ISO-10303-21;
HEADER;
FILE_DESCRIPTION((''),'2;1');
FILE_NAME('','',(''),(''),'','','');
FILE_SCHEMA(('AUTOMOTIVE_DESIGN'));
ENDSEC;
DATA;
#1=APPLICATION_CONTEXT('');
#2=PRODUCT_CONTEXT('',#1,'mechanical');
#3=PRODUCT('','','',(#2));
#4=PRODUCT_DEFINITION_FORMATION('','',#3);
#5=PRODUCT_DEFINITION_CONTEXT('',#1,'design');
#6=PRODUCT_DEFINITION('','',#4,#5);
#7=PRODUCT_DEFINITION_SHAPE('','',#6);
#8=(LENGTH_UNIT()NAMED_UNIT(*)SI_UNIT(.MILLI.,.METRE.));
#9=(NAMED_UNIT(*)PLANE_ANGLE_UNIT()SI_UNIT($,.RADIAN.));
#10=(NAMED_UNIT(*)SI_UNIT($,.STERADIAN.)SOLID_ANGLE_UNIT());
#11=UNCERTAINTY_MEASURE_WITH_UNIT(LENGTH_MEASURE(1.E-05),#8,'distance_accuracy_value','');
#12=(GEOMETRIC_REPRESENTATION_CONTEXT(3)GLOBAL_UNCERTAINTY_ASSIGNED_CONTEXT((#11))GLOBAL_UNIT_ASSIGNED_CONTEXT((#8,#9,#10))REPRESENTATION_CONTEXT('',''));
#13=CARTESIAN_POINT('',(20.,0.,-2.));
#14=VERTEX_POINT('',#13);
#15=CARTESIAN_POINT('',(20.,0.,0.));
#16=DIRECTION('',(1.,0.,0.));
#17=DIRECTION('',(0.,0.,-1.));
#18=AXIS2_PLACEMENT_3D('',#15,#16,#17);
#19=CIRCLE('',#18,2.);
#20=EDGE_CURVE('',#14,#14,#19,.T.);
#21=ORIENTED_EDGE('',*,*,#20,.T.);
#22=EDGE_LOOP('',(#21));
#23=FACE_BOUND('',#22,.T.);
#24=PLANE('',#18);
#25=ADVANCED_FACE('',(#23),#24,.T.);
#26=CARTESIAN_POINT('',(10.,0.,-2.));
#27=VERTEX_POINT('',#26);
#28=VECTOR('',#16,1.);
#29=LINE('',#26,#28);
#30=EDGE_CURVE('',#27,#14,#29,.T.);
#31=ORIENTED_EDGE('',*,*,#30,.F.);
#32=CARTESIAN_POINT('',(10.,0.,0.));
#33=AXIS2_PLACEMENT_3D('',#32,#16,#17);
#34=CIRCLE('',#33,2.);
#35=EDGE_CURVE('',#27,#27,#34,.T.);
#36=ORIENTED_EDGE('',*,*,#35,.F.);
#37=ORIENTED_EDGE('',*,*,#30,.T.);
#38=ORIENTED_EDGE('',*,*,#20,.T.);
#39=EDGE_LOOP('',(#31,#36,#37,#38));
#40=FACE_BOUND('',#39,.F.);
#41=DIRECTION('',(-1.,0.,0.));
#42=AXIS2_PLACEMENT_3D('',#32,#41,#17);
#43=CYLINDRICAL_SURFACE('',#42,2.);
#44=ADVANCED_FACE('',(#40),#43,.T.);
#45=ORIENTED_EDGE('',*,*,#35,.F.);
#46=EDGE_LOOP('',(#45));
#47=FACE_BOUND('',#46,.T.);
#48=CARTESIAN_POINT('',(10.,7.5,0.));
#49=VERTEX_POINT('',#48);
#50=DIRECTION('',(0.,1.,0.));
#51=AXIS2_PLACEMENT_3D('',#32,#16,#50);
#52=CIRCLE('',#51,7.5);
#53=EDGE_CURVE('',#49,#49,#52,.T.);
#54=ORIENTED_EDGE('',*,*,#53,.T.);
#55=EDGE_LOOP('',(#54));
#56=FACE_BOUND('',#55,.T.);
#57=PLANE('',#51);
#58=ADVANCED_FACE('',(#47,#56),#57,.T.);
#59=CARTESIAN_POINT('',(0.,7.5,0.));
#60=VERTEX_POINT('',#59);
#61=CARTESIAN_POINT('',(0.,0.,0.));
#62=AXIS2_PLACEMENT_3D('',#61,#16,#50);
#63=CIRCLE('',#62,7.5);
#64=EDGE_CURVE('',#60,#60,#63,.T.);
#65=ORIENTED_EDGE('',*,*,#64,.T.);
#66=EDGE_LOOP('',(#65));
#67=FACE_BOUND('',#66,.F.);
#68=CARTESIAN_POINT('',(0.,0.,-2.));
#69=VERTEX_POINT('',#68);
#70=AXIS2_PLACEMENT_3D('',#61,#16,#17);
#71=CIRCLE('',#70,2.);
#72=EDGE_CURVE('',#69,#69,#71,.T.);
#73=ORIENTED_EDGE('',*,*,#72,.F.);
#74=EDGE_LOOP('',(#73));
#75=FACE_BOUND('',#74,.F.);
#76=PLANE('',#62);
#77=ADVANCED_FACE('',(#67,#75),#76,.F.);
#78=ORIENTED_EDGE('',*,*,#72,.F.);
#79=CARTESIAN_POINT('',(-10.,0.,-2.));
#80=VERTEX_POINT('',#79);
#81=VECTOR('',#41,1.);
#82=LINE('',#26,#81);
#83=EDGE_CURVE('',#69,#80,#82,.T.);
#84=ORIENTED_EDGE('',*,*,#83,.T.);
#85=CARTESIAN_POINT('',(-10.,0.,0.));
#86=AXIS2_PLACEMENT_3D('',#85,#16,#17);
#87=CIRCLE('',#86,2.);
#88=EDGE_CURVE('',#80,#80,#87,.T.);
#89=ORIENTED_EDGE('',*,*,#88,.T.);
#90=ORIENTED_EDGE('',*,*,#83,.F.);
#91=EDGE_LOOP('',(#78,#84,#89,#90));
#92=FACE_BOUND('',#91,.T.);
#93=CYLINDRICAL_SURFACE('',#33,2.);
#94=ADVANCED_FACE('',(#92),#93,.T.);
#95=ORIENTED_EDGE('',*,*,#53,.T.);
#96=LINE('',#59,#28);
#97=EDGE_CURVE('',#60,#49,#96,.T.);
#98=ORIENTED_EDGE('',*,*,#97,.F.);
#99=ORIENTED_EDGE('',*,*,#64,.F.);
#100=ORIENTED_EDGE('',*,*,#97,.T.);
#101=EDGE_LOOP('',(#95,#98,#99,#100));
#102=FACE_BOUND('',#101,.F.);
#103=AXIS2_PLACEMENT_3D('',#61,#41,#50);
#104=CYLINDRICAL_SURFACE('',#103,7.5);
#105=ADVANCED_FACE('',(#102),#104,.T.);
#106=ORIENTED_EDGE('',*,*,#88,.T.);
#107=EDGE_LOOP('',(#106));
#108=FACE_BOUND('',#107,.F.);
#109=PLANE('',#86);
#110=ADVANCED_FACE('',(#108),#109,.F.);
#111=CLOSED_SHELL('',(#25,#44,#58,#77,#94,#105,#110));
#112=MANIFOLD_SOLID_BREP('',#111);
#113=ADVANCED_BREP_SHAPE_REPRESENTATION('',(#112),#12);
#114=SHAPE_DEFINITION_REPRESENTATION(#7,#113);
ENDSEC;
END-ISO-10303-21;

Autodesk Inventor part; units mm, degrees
ref_plane "YZ Plane" through (0, 0, 0) normal (1, 0, 0) x (0, 1, 0)
ref_plane "XZ Plane" through (0, 0, 0) normal (0, 1, 0) x (-1, 0, 0)
ref_plane "XY Plane" through (0, 0, 0) normal (0, 0, 1) x (1, 0, 0)
sketch "Esquisse1" plane through (0, 0, 0) normal (1, 0, 0) x (0, 1, 0)
  circle A0 centre (0, 0) radius 7.5
  dimension "d0" = 15
extrude "Extrusion1" add sketch "Esquisse1" along normal blind 10
sketch "Esquisse2" plane through (10, 0, 0) normal (1, 0, 0) x (0, 0, -1)
  circle A0 centre (0, 0) radius 2
  dimension "d3" = 4
extrude "Extrusion2" add sketch "Esquisse2" along normal blind 10 and the other way blind 20
thread "Filetage1" size "M4x0.7" class "6g" standard "ANSI Metric M Profile" full length
properties part number "silentBloc"
